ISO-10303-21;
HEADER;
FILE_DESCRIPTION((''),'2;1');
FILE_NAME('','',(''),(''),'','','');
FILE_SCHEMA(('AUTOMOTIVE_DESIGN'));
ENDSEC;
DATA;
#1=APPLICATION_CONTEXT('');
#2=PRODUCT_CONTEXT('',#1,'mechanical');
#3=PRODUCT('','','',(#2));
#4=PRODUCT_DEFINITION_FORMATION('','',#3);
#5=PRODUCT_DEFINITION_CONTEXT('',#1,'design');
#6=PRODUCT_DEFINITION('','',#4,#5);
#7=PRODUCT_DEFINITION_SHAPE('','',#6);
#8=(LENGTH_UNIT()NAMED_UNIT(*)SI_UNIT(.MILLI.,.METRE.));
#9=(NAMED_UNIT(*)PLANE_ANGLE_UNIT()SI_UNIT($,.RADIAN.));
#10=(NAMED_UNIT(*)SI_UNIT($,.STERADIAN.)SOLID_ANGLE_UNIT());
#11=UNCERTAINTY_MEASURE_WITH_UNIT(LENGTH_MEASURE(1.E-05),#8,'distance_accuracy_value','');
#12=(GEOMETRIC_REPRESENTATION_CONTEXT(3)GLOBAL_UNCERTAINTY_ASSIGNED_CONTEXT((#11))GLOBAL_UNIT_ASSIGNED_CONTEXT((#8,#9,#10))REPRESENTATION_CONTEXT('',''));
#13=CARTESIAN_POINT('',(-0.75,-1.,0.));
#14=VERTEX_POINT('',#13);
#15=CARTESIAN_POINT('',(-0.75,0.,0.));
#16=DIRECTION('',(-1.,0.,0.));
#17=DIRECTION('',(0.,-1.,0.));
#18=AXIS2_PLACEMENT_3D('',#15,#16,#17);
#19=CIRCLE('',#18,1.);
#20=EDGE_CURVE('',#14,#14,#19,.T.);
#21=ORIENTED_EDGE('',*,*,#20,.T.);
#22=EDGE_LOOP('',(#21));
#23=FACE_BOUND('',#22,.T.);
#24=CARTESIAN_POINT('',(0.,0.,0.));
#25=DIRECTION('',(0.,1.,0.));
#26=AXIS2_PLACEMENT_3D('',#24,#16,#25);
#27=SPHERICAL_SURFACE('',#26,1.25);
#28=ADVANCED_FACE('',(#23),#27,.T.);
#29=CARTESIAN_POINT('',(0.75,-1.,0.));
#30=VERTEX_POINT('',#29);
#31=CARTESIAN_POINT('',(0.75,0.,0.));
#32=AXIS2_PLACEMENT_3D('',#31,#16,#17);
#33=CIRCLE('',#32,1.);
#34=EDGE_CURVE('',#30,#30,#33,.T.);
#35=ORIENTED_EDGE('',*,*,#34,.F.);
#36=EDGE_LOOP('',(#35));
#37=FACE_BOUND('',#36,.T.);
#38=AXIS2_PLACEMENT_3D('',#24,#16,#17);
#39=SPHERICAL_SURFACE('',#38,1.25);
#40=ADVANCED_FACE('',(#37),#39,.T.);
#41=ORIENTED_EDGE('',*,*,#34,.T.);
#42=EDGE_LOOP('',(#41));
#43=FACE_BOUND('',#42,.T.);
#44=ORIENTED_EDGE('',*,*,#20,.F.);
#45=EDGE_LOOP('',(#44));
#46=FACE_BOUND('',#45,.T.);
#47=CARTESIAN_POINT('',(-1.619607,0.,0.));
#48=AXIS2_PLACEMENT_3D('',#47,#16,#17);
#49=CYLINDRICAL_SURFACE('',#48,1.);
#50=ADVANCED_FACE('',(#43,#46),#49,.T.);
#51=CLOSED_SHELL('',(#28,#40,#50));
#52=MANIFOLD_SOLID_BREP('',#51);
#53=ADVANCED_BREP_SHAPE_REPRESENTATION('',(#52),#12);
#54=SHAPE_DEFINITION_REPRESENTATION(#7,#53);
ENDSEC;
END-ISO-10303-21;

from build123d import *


with BuildPart() as part:
    # 草图1 one side → 旋转1 (revolve)
    with BuildSketch(Plane.XY, mode=Mode.PRIVATE) as revolve_1_sk:
        with BuildLine():
            Line((0.75, 1), (-0.75, 1))
            ThreePointArc((-0.75, 1), (-1.118033989, 0.559016994), (-1.25, 0))
            Line((-1.25, 0), (1.25, 0))
            ThreePointArc((1.25, 0), (1.118033989, 0.559016994), (0.75, 1))
        make_face()
    revolve(revolve_1_sk.sketch.rotate(Axis((-1.619607495, 0, 0), (1, 0, 0)), 180), axis=Axis((-1.619607495, 0, 0), (1, 0, 0)))  # turned: the seam where the file's is


solid = part.part
